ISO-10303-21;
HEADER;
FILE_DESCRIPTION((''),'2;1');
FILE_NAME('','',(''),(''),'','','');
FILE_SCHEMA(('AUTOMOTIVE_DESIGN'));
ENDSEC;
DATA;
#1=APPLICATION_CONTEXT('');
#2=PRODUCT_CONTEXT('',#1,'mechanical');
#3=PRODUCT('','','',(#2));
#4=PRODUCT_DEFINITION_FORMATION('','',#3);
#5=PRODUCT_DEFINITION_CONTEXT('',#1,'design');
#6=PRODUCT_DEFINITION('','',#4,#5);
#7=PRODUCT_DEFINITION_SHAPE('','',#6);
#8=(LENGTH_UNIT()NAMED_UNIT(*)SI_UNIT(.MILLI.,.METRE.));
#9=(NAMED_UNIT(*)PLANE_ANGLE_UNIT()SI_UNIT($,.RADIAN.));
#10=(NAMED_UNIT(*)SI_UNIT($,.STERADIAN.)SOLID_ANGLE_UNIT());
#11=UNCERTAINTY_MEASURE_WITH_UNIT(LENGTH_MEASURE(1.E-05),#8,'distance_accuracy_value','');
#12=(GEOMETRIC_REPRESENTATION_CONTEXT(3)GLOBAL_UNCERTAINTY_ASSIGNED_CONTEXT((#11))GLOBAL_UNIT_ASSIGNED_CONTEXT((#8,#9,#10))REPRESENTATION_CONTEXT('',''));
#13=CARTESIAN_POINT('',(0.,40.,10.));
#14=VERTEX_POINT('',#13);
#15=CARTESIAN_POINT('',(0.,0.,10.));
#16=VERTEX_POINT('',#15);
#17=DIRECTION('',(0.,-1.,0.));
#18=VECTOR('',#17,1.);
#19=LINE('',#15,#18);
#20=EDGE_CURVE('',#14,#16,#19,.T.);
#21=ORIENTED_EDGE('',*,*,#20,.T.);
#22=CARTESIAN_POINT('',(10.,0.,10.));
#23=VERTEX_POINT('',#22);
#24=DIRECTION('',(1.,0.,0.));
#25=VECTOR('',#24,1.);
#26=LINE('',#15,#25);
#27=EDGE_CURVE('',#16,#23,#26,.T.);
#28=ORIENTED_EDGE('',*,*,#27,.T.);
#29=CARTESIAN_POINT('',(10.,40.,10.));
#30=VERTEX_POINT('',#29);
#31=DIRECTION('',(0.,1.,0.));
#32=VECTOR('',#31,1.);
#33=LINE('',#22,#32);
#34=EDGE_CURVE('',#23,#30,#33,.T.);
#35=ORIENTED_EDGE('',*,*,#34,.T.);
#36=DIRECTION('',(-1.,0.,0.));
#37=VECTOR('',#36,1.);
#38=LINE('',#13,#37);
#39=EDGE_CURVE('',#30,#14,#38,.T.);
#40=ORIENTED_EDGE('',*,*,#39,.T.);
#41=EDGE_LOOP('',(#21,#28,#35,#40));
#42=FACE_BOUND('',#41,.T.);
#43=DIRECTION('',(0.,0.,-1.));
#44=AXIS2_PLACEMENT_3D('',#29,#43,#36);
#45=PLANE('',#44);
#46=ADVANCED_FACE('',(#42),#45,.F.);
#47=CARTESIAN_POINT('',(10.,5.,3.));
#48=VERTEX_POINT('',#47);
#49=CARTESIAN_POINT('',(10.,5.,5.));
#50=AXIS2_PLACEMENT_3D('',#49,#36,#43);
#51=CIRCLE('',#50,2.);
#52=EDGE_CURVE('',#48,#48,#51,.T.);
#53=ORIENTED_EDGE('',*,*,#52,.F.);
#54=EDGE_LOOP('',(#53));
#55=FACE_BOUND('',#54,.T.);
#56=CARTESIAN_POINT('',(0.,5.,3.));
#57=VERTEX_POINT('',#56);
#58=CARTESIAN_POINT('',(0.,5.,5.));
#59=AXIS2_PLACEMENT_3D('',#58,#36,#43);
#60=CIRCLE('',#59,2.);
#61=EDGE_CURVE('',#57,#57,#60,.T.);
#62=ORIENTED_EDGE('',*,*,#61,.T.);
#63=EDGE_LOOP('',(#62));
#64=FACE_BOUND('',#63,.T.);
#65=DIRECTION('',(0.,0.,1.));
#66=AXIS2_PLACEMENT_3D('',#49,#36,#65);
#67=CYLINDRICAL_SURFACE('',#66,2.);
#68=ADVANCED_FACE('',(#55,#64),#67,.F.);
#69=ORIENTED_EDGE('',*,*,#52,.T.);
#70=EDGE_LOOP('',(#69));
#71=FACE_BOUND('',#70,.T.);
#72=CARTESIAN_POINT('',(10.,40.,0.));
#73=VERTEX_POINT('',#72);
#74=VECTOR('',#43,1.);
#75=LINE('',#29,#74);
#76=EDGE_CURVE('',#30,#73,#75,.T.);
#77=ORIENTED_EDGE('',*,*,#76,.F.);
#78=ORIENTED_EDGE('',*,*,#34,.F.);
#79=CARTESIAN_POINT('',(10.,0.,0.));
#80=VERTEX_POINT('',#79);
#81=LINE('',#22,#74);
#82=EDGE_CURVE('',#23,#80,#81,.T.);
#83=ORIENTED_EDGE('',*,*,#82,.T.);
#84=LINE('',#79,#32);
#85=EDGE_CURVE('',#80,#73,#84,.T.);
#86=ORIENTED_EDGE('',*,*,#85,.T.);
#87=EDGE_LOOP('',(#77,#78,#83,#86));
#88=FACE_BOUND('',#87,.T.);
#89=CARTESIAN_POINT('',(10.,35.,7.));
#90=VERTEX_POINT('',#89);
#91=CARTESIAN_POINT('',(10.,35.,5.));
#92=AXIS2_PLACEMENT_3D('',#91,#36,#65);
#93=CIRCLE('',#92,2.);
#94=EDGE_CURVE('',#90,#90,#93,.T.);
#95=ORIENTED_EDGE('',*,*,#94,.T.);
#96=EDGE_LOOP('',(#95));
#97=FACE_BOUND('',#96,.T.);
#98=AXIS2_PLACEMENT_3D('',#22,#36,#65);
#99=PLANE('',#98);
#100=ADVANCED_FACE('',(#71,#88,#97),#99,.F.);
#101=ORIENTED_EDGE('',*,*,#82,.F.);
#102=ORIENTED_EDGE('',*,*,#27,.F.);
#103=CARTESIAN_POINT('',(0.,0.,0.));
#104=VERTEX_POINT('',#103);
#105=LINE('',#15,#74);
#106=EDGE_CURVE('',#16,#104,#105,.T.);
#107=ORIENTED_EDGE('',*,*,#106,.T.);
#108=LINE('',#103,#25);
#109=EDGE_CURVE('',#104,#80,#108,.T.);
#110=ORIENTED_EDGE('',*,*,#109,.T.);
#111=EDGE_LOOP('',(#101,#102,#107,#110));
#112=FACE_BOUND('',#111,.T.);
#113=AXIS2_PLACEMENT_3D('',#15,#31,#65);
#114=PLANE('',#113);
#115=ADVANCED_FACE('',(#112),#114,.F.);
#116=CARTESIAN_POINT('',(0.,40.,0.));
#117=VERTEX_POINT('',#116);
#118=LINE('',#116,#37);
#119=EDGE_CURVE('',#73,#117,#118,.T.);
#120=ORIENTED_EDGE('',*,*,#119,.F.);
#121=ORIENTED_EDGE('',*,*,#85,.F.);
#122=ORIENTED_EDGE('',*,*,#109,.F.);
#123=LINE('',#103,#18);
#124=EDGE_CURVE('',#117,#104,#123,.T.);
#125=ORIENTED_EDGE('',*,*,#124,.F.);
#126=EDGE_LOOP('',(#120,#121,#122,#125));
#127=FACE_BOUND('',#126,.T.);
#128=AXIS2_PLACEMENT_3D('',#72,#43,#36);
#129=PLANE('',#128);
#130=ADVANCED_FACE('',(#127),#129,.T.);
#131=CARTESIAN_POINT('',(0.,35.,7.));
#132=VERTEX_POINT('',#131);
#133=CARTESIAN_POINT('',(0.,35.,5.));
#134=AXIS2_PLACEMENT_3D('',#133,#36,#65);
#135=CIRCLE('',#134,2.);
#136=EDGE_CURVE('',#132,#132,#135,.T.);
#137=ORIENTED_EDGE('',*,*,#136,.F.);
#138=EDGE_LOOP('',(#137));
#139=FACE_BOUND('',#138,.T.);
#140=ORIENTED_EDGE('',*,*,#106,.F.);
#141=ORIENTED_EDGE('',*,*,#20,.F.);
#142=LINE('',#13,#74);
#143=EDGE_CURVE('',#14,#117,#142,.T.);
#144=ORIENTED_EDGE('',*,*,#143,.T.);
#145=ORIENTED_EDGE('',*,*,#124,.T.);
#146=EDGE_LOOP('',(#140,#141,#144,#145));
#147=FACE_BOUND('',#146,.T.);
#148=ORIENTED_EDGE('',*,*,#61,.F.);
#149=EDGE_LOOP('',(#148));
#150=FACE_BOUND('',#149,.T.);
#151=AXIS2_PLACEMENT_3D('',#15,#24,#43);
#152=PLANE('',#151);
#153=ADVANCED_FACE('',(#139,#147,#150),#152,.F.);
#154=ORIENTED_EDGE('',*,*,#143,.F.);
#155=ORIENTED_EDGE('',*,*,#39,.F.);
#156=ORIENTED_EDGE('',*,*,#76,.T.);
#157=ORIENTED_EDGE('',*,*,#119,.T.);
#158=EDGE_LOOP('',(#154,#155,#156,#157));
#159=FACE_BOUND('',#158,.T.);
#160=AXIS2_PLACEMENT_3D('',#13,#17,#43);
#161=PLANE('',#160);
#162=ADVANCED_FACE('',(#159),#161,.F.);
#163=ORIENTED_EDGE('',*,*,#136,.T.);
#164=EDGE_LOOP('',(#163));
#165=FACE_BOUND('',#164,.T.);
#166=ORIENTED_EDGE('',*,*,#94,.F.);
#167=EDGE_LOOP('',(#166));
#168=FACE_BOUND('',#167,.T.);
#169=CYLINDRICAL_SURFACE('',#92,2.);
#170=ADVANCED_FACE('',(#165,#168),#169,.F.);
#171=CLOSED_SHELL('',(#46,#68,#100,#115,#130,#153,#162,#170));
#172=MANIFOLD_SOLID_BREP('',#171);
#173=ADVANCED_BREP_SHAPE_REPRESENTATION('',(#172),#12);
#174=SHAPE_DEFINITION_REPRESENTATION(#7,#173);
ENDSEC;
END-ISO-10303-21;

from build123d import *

# Parameters (mm, degrees)
SKETCH1_W           = 10
SKETCH1_H           = 40
BOSS_EXTRUDE1_DEPTH = 10
SKETCH3_R           = 2
CUT_EXTRUDE2_DEPTH  = 43.426406871


with BuildPart() as part:
    # Sketch1 → Boss-Extrude1 (new body)
    with BuildSketch(Plane.XY):
        with Locations((5, 20)):
            Rectangle(SKETCH1_W, SKETCH1_H)
    extrude(amount=BOSS_EXTRUDE1_DEPTH)

    # Sketch3 → Cut-Extrude2 (cut, through all)
    with BuildSketch(Plane.ZY):
        with Locations((5, 35)):
            Circle(SKETCH3_R)
        with Locations(Location((5, 5, 0), (0, 0, 180))):
            Circle(SKETCH3_R)
    extrude(amount=-CUT_EXTRUDE2_DEPTH, mode=Mode.SUBTRACT)


solid = part.part
